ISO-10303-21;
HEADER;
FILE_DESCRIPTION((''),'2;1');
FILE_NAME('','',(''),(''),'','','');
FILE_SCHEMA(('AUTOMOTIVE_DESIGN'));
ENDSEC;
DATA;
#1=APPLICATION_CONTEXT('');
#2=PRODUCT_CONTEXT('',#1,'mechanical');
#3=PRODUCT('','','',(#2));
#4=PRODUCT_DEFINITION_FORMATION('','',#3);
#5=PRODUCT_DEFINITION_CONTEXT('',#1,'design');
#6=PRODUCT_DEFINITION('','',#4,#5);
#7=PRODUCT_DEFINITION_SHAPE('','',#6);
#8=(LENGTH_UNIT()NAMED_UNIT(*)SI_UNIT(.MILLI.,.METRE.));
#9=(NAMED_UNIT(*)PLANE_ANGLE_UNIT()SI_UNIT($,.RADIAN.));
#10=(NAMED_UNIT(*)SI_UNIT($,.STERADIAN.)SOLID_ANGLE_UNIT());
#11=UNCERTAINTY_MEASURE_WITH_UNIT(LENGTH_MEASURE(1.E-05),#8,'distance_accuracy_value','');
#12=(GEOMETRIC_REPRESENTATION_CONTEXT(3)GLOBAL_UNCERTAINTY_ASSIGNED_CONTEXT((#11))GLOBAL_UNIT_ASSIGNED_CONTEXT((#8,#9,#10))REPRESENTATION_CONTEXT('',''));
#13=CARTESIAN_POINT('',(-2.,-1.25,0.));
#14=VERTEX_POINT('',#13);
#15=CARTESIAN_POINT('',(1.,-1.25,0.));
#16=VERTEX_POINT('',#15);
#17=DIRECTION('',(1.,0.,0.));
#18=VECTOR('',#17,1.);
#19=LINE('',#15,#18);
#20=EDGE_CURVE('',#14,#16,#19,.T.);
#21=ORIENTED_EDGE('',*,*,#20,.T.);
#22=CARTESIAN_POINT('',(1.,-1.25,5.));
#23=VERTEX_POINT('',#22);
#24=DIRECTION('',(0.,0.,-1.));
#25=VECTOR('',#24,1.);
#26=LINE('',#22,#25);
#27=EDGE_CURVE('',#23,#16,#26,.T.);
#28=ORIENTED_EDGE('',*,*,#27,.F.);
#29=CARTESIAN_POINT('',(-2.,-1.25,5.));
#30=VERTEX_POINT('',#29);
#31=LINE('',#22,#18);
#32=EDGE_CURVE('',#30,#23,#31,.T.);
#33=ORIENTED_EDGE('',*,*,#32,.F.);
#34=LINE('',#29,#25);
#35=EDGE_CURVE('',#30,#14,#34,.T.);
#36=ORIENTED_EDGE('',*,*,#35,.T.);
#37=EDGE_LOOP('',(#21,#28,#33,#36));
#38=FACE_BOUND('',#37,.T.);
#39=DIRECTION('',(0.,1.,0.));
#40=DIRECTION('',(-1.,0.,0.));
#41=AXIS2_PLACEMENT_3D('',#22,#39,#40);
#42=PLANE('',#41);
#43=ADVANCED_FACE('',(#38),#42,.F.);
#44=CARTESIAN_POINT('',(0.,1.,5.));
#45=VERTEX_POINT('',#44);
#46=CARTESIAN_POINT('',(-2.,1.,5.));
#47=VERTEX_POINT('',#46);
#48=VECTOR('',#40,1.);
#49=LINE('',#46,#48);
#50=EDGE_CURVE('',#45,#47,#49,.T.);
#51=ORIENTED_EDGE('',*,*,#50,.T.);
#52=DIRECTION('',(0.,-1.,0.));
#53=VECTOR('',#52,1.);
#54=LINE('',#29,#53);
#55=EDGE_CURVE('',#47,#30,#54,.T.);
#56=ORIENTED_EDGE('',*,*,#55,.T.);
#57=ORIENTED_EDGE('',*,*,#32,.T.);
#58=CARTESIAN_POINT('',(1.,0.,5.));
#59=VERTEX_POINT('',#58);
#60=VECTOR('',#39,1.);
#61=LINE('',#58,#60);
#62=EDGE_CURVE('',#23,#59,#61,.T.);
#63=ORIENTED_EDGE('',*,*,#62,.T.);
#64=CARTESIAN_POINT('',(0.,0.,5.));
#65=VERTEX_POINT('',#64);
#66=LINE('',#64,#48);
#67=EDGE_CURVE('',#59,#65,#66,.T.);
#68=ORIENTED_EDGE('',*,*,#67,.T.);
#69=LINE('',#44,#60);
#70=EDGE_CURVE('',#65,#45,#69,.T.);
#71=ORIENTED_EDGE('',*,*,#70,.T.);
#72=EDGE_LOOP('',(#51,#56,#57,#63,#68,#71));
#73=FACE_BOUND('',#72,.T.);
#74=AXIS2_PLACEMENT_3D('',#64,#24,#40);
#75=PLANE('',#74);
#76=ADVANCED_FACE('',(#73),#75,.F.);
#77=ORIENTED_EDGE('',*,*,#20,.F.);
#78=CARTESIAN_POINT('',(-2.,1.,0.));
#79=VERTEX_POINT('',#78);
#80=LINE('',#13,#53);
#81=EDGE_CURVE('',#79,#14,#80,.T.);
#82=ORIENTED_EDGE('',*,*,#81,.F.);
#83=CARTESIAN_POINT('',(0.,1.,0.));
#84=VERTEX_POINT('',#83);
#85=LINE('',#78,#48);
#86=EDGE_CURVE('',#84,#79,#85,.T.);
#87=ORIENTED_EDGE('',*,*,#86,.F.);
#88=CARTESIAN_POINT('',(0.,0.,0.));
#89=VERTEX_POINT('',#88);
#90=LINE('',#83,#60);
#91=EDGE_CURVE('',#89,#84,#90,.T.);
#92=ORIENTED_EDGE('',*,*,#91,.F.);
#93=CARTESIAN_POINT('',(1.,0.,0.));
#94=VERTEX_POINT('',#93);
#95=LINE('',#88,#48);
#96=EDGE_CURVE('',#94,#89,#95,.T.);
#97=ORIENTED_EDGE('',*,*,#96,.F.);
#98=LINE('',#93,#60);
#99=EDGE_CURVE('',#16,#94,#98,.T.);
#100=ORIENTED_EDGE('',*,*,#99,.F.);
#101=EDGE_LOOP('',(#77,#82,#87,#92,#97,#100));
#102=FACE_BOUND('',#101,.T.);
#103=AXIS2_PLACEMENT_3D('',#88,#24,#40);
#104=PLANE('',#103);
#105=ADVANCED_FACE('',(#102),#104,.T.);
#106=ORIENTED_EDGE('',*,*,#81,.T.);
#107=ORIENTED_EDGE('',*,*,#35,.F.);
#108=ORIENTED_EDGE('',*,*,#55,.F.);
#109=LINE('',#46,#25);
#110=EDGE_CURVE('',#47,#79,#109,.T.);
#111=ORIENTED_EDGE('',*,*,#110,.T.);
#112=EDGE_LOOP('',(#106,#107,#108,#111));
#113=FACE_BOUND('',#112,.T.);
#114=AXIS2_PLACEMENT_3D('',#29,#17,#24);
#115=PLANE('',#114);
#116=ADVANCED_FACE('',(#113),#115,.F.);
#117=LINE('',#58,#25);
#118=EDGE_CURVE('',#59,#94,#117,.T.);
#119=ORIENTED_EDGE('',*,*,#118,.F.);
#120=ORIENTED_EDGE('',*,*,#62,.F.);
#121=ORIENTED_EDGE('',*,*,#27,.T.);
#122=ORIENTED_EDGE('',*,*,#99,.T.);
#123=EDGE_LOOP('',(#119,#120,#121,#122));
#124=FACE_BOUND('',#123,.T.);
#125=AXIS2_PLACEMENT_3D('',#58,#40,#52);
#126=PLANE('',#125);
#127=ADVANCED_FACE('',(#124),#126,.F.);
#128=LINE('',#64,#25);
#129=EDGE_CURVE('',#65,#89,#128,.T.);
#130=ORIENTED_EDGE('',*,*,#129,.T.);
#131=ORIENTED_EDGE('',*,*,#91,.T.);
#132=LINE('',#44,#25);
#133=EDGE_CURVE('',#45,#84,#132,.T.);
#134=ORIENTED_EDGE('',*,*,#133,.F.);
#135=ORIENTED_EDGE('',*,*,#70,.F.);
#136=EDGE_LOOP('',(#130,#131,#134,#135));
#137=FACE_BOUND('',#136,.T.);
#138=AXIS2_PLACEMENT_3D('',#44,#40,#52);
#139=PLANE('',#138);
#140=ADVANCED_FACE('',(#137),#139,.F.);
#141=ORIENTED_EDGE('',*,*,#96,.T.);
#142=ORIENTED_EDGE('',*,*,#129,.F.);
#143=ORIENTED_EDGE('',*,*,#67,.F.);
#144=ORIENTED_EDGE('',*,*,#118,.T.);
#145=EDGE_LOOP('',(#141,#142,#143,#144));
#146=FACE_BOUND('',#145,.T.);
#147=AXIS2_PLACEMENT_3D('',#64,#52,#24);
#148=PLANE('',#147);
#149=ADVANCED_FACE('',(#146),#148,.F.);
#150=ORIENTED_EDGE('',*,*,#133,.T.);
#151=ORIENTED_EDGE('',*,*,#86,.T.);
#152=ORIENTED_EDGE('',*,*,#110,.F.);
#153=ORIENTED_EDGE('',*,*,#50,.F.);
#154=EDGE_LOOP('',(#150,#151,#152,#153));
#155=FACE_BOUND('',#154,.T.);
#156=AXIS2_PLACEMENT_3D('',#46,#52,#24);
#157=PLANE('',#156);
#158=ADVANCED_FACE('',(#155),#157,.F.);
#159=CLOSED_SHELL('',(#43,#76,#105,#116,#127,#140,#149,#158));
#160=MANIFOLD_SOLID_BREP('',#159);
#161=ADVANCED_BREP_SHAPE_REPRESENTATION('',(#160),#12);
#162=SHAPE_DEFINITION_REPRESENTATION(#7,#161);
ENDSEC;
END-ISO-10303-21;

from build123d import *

# Parameters (mm, degrees)
BOSS_EXTRUDE1_DEPTH = 5


with BuildPart() as part:
    # Sketch1 → Boss-Extrude1 (new body)
    with BuildSketch(Plane.XY):
        Polygon((-2, 1), (0, 1), (0, 0), (1, 0), (1, -1.25), (-2, -1.25), align=None)
    extrude(amount=BOSS_EXTRUDE1_DEPTH)


solid = part.part
